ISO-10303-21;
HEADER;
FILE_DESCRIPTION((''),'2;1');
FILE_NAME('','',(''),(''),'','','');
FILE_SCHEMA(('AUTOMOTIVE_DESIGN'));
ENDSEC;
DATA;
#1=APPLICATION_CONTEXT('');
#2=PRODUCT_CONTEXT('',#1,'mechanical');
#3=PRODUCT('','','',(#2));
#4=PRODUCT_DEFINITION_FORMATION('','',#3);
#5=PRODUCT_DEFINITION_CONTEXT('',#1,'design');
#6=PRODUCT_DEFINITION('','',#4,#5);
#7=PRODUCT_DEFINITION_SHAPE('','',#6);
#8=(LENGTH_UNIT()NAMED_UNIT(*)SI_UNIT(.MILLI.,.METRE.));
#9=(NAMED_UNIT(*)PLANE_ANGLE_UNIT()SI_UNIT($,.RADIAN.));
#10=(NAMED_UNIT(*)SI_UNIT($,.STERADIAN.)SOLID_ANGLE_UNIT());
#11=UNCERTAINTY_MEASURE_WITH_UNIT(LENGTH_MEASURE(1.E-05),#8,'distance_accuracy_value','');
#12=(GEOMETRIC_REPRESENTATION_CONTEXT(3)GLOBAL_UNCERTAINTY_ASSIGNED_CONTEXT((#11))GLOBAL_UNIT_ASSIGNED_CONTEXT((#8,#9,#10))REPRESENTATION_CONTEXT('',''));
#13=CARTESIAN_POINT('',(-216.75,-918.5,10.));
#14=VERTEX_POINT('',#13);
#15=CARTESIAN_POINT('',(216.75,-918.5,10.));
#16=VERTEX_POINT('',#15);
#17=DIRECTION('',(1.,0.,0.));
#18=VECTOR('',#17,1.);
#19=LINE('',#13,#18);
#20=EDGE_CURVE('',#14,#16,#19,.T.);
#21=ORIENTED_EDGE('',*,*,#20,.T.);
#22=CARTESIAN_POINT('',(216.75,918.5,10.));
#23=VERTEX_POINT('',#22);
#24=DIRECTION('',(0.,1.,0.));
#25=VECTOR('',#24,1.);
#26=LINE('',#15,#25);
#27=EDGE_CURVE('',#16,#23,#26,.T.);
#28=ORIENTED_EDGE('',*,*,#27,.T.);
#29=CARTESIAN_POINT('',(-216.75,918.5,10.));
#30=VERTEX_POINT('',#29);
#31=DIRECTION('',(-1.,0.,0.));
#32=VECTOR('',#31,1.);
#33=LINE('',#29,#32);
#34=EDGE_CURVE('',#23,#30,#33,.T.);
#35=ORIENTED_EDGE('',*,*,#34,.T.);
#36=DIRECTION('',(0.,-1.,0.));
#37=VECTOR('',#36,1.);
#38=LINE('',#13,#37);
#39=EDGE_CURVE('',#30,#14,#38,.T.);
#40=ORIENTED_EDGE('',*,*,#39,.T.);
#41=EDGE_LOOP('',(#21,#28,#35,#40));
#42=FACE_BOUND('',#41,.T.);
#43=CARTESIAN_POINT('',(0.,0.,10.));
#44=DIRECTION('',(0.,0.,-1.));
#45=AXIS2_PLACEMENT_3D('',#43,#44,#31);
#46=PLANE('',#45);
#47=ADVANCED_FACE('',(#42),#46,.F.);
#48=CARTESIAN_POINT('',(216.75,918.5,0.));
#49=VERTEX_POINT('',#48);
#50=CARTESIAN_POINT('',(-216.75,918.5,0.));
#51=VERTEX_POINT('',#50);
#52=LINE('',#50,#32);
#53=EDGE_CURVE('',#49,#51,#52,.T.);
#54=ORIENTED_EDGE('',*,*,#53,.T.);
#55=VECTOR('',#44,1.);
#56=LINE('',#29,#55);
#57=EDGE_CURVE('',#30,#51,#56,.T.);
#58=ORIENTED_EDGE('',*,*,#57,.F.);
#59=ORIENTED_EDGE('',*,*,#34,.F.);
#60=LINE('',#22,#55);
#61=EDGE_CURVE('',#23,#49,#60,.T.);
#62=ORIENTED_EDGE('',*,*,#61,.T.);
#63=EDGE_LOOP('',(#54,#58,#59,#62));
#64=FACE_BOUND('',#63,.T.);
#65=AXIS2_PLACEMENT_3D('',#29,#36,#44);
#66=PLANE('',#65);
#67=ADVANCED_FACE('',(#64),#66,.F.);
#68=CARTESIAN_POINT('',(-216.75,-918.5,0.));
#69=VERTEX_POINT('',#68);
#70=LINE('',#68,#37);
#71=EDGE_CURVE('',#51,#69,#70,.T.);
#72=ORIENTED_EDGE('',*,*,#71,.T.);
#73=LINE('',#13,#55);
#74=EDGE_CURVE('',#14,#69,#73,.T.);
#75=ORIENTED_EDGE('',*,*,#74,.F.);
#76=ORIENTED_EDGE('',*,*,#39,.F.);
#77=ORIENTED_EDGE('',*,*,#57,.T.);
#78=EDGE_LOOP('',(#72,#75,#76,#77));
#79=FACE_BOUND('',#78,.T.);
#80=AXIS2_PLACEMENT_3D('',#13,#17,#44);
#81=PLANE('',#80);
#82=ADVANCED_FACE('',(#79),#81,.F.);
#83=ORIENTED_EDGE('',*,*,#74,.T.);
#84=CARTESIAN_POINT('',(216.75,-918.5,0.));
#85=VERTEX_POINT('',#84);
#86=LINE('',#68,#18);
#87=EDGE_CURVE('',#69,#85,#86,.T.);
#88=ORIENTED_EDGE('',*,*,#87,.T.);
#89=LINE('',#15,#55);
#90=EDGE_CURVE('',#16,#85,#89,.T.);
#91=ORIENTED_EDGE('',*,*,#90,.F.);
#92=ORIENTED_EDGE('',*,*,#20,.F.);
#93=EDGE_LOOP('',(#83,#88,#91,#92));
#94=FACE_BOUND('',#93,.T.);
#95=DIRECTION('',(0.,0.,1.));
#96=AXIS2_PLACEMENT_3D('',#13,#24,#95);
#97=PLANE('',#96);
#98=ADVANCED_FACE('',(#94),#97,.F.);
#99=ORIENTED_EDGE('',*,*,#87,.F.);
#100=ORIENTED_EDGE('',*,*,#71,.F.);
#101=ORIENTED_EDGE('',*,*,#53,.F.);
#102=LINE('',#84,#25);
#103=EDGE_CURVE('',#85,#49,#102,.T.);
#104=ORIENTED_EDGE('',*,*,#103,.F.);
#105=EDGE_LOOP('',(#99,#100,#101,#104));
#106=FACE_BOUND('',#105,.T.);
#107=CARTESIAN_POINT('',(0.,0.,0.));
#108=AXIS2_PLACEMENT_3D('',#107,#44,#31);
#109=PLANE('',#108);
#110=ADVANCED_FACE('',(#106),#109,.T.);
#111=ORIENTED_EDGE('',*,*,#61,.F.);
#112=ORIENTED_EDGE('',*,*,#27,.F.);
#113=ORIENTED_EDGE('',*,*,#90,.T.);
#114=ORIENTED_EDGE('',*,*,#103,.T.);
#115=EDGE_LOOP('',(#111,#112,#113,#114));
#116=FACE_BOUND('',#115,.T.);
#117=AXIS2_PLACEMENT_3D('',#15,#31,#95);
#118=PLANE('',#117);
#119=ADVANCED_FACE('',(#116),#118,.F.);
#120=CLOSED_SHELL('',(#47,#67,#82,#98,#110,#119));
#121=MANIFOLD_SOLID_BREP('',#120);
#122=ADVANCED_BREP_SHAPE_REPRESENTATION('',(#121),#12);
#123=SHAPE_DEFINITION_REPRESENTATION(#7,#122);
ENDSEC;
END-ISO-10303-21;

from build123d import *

# Parameters (mm, degrees)
ESQUISSE1_W        = 433.5
ESQUISSE1_H        = 1837
BOSS_EXTRU_1_DEPTH = 10


with BuildPart() as part:
    # Esquisse1 → Boss.-Extru.1 (new body)
    with BuildSketch(Plane.XY):
        Rectangle(ESQUISSE1_W, ESQUISSE1_H)
    extrude(amount=BOSS_EXTRU_1_DEPTH)


solid = part.part
